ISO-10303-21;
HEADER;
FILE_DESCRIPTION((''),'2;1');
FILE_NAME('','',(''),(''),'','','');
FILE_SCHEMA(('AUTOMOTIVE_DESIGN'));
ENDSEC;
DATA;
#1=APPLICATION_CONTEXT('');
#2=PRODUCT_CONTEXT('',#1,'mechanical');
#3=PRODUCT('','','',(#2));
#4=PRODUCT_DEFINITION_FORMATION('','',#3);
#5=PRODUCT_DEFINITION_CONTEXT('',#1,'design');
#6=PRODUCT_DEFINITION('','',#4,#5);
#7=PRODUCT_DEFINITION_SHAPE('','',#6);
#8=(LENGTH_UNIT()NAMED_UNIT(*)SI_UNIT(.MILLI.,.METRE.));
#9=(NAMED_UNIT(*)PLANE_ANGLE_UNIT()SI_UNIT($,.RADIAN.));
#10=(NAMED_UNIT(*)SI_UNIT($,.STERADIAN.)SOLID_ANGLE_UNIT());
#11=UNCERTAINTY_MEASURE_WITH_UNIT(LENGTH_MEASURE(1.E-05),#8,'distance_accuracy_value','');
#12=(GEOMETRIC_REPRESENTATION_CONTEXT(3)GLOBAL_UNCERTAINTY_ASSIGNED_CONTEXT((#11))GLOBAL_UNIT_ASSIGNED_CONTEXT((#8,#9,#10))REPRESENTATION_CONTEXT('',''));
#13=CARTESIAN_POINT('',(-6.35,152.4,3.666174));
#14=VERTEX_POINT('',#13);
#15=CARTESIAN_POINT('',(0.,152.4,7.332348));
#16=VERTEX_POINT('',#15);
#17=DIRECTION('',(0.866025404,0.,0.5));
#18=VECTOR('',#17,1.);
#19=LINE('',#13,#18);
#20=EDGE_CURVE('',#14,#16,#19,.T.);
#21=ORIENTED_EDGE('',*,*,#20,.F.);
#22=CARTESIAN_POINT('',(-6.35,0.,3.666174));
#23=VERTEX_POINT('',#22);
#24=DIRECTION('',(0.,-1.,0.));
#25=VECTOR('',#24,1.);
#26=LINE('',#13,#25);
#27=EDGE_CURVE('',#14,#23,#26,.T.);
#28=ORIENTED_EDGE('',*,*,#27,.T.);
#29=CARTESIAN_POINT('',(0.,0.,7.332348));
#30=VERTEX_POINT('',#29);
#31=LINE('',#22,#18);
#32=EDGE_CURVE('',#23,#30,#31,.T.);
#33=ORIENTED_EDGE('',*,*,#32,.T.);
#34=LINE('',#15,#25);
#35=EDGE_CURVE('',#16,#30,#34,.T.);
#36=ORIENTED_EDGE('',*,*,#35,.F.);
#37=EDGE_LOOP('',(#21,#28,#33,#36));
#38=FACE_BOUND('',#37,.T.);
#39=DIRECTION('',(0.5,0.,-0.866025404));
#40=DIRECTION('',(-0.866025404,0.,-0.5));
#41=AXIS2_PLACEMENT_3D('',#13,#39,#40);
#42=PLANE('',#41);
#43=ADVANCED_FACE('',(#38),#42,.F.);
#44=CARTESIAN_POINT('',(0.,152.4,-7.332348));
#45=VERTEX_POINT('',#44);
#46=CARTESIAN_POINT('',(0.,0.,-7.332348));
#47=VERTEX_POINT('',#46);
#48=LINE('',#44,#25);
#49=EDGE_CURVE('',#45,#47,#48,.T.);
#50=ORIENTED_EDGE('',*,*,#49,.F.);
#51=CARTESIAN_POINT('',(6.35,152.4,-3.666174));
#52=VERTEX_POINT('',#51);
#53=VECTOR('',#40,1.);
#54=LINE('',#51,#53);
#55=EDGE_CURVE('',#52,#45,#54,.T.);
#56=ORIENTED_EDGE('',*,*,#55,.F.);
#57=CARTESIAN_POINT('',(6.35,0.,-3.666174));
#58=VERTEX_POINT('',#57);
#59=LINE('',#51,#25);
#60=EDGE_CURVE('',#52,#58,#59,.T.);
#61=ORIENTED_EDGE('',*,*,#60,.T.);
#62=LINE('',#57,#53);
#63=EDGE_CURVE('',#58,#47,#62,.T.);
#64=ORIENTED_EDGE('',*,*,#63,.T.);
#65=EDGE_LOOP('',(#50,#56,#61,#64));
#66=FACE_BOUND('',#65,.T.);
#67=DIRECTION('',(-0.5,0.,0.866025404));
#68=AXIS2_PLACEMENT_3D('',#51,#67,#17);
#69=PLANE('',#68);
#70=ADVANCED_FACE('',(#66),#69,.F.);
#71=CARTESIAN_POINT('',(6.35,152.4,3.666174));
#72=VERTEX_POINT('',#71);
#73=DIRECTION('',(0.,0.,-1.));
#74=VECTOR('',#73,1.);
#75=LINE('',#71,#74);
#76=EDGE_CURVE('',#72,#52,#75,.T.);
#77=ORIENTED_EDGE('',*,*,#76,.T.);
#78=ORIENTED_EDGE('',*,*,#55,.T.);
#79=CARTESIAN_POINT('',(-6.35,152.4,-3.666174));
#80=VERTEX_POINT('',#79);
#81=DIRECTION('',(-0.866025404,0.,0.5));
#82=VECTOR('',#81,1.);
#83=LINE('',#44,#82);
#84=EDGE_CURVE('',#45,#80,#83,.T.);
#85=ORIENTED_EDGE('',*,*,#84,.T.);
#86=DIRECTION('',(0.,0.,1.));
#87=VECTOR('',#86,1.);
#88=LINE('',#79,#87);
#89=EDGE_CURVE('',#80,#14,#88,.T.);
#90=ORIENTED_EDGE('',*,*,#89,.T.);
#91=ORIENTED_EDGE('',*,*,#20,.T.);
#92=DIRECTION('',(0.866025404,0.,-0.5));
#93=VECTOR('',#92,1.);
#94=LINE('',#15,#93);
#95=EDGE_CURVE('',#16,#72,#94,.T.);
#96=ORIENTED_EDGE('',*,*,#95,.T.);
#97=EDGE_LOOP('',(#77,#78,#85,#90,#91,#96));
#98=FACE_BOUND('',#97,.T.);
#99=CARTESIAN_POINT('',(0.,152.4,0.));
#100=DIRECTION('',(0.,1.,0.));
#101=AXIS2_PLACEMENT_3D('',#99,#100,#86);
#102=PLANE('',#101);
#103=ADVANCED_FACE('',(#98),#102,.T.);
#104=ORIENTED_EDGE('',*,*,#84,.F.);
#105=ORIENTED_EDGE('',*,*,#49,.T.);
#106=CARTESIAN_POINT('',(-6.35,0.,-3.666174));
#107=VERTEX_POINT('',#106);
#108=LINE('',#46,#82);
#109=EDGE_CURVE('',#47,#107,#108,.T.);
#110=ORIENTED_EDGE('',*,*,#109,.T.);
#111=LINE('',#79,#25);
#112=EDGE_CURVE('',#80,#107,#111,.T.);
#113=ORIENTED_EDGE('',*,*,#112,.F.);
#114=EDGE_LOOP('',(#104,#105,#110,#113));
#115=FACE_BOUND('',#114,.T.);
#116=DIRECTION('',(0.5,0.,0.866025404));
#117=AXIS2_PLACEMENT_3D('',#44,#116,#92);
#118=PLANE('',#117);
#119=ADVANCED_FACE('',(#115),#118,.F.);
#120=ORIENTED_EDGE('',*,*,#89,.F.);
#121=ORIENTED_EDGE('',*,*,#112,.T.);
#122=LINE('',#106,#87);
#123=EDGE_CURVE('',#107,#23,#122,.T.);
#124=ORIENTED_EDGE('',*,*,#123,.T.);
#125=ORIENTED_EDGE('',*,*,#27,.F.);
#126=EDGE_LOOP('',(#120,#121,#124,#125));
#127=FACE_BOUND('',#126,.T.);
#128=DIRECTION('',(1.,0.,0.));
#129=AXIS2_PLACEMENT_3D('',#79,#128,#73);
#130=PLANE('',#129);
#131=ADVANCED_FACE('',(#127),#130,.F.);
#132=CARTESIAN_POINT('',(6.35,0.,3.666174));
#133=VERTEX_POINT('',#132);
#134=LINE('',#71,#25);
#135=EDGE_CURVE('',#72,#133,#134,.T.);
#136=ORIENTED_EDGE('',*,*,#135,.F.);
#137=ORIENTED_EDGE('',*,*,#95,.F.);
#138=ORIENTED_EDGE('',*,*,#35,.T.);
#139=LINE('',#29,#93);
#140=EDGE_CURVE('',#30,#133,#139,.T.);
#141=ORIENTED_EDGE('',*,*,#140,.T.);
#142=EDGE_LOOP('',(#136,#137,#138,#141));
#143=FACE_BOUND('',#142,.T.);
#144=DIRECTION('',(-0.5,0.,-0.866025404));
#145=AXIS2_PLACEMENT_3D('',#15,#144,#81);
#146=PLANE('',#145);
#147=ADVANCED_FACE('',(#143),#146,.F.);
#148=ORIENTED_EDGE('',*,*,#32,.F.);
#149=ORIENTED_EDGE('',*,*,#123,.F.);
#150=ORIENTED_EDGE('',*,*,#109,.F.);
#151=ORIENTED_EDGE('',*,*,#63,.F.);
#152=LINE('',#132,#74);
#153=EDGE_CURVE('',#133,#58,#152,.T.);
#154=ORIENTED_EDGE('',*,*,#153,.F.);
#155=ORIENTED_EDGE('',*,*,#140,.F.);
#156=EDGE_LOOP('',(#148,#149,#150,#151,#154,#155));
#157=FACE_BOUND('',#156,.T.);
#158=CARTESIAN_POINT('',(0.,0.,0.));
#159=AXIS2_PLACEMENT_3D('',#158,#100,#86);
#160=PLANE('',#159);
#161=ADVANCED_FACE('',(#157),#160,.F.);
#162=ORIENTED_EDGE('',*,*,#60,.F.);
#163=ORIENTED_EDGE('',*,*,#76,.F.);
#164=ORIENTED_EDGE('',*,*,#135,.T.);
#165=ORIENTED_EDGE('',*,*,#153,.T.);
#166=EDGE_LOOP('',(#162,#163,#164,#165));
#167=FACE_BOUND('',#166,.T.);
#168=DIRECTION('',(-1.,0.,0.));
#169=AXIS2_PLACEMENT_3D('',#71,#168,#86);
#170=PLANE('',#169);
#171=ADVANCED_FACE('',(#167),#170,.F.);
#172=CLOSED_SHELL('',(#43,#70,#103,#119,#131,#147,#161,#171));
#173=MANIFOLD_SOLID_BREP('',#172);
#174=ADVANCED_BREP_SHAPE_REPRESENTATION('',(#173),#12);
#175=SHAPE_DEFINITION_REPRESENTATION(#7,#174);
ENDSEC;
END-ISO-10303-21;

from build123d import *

# Parameters (mm, degrees)
BOSS_EXTRUDE2_DEPTH = 152.4


with BuildPart() as part:
    # Sketch1 → Boss-Extrude2 (new body)
    with BuildSketch(Plane(origin=(0, 0, 0), x_dir=(1, 0, 0), z_dir=(0, 1, 0))):
        Polygon((6.35, 3.666174209), (0, 7.332348419), (-6.35, 3.666174209), (-6.35, -3.666174209), (0, -7.332348419), (6.35, -3.666174209), align=None)
    extrude(amount=BOSS_EXTRUDE2_DEPTH)


solid = part.part
